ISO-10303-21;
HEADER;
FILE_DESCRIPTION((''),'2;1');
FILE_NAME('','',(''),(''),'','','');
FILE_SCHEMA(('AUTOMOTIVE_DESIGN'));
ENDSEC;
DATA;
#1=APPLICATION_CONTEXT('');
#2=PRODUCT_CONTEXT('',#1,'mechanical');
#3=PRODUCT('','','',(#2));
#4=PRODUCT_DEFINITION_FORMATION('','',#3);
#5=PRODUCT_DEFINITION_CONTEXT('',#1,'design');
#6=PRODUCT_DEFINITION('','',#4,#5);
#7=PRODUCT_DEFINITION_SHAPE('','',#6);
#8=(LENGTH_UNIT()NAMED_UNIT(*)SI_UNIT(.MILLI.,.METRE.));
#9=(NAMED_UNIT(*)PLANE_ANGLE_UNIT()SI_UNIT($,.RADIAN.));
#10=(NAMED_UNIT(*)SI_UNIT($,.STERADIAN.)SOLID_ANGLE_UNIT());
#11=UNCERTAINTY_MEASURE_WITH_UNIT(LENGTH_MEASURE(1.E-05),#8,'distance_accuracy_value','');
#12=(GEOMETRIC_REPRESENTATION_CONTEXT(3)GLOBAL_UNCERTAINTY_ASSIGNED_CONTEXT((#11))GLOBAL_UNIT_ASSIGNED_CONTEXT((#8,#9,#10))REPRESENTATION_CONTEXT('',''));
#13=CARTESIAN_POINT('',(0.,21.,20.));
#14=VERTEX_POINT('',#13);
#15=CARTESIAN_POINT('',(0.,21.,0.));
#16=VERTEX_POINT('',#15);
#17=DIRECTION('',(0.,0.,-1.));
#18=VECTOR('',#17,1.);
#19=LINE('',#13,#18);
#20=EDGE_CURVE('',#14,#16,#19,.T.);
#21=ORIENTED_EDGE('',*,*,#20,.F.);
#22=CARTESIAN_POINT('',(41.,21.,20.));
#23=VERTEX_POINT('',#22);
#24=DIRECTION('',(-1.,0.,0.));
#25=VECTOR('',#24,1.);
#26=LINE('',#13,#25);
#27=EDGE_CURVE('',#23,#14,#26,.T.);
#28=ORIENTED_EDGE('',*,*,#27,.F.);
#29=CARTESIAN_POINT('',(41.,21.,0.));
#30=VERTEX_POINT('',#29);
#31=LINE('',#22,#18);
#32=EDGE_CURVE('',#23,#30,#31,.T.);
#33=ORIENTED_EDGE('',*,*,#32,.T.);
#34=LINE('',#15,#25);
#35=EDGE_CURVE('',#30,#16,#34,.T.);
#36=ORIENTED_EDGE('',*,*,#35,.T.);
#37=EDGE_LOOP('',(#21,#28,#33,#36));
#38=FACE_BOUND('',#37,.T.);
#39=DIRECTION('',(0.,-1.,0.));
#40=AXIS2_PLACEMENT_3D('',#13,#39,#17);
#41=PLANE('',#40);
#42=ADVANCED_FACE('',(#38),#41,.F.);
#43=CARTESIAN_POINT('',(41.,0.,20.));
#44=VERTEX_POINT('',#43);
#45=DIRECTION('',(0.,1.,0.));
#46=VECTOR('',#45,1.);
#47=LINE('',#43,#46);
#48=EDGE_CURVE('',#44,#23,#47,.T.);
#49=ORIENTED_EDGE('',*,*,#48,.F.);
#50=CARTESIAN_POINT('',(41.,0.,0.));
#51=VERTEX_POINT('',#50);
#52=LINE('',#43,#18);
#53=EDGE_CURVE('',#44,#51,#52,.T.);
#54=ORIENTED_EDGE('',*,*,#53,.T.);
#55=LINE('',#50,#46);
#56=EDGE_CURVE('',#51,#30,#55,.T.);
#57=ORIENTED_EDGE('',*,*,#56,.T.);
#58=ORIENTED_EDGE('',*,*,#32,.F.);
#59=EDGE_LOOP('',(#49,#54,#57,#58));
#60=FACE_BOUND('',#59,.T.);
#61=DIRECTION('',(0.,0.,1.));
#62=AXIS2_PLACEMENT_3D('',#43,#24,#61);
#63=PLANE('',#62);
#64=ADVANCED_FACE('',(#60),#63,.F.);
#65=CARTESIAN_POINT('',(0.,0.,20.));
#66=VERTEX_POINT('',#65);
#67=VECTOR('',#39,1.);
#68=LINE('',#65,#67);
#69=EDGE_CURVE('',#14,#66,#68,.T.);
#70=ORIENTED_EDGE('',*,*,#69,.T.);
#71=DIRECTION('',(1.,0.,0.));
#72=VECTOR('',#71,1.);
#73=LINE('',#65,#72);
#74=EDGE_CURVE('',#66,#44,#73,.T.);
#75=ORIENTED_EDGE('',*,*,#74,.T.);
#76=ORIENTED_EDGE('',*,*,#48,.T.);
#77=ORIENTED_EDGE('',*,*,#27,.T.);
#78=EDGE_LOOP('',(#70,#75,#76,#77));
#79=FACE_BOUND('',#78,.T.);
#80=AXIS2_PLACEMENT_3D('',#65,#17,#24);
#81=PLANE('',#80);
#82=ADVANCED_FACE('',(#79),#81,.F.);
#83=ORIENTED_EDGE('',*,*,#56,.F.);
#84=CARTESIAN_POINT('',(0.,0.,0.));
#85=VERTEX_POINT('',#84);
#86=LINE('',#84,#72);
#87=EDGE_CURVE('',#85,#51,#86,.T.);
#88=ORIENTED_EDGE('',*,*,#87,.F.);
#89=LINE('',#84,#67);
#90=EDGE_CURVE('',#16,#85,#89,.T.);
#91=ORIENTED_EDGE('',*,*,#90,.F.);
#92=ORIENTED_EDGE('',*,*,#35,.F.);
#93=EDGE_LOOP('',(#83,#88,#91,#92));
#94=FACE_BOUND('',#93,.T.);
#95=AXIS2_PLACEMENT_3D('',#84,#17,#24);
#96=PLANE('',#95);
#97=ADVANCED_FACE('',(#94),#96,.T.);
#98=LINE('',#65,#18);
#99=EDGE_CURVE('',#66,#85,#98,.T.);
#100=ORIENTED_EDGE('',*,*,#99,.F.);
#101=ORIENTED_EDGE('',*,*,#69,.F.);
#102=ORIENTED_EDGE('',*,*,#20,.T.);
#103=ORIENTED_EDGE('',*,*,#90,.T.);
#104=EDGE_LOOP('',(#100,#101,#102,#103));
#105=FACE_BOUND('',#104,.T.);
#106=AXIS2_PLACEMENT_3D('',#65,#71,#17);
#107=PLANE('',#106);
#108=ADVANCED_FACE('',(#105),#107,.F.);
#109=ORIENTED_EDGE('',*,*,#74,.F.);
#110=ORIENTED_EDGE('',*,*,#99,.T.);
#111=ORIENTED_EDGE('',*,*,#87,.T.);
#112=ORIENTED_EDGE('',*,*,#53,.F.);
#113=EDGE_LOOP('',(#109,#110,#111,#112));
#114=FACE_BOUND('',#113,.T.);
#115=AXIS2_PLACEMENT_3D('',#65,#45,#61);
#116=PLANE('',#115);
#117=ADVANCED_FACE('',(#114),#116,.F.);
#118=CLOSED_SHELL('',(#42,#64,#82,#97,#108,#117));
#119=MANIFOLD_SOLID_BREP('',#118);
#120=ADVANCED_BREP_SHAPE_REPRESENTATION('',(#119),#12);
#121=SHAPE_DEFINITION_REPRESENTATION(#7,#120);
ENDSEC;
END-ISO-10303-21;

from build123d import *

# Parameters (mm, degrees)
SKETCH1_W           = 41
SKETCH1_H           = 21
BOSS_EXTRUDE1_DEPTH = 20


with BuildPart() as part:
    # Sketch1 → Boss-Extrude1 (new body)
    with BuildSketch(Plane.XY):
        with Locations((20.5, 10.5)):
            Rectangle(SKETCH1_W, SKETCH1_H)
    extrude(amount=BOSS_EXTRUDE1_DEPTH)


solid = part.part
